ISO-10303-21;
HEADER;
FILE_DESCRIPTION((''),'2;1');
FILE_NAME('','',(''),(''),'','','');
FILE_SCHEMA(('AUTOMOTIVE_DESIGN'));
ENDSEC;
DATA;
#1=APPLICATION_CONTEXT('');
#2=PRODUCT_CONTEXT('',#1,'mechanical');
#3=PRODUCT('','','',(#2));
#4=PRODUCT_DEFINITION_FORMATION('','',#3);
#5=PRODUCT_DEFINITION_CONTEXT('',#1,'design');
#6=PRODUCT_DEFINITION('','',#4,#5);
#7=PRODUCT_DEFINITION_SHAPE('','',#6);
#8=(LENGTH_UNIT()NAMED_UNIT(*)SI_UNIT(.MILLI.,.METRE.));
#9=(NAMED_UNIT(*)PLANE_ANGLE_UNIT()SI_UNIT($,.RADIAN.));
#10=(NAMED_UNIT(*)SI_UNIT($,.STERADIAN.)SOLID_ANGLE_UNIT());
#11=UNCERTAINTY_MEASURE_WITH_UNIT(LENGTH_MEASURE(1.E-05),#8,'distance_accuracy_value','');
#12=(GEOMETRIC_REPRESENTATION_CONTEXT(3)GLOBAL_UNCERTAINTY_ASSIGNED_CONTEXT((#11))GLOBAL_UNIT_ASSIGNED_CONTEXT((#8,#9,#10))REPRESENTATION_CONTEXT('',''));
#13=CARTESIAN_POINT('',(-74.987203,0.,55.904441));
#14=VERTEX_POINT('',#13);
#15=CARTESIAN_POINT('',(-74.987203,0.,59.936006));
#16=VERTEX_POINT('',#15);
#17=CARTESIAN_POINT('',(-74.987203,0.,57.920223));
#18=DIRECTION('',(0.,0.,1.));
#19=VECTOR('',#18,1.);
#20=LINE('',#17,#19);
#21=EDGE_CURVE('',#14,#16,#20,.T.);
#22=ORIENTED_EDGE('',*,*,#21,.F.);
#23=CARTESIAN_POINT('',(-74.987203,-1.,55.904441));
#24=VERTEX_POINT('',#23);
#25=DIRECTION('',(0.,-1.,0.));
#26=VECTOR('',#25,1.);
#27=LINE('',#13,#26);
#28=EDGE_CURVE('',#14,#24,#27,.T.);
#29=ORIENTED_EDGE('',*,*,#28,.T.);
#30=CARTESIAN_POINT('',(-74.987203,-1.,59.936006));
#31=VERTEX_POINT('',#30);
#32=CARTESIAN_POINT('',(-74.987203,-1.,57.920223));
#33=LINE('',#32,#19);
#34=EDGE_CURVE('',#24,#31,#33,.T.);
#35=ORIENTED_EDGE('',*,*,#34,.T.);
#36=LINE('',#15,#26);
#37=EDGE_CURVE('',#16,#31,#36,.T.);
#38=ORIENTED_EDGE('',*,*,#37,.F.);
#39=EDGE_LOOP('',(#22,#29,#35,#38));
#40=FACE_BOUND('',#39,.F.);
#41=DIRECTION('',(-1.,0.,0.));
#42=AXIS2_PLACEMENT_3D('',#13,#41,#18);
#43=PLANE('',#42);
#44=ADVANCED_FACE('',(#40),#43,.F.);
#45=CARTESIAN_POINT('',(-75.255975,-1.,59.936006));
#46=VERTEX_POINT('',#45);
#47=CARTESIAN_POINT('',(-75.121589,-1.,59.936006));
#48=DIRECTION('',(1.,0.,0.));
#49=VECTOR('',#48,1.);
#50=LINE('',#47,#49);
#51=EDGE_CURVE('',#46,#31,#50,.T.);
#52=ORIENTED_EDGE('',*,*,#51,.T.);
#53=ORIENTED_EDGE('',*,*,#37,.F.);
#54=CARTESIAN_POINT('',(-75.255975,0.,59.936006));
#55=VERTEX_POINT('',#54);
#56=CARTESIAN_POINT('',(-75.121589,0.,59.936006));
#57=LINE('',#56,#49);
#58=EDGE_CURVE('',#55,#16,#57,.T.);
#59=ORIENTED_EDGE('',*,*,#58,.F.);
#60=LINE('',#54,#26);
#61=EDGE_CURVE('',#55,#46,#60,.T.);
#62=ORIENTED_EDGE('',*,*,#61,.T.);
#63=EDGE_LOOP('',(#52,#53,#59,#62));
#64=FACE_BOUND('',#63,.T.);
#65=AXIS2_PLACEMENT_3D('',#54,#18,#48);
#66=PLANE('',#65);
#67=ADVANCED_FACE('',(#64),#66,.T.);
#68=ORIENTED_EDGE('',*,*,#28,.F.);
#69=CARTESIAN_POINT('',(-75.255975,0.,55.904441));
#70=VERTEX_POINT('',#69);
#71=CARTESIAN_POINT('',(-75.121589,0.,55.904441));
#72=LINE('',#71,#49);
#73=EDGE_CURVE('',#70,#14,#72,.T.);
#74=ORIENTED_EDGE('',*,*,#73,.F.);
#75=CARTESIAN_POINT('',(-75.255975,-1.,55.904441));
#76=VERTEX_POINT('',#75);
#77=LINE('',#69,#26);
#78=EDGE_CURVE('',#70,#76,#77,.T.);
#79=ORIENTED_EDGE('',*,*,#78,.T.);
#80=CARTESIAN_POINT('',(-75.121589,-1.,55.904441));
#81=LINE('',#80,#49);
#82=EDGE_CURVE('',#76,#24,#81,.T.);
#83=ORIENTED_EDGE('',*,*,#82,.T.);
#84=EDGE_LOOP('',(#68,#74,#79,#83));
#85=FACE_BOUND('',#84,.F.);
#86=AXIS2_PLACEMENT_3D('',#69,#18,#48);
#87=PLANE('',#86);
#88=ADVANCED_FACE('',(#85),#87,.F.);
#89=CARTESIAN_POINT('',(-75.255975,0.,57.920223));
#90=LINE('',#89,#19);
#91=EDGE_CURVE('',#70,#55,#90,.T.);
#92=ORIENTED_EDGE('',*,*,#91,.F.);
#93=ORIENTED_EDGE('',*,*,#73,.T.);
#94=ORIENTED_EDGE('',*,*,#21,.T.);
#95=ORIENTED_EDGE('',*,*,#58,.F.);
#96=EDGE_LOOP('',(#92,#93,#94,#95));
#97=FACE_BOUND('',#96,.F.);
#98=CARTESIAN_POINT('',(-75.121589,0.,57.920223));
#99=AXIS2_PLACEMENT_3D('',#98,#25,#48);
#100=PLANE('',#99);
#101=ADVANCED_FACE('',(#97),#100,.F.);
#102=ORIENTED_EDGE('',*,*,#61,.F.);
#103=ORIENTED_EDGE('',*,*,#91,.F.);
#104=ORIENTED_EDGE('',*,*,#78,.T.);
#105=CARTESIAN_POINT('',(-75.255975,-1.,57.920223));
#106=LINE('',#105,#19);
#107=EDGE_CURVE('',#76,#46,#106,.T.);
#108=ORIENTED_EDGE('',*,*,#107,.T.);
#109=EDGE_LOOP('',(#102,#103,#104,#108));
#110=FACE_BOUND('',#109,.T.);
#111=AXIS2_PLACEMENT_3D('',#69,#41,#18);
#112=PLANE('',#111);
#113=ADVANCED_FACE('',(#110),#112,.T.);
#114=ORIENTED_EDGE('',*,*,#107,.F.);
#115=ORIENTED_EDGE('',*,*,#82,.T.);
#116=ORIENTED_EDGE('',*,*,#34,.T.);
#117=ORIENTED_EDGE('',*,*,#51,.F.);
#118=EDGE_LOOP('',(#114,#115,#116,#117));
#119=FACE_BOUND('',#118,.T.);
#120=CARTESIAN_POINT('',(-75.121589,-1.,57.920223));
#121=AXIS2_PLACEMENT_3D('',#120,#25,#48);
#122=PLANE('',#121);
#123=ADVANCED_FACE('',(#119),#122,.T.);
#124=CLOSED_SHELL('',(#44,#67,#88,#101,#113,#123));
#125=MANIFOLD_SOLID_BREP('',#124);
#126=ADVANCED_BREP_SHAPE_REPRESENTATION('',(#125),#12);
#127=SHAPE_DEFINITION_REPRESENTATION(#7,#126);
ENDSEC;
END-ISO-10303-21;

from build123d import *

# Parameters (mm, degrees)
F0_W     = 0.2687722445
F0_H     = 4.0315650403
F1_DEPTH = 1
F0_W_2   = 74.9872028828
F0_H_2   = 55.9044405818
F2_DEPTH = 74.5


with BuildPart() as f1:
    # F0 (on Front) → F1 (new body)
    with BuildSketch(Plane.XZ):
        with Locations((-75.121589005, 57.920223102)):
            Rectangle(F0_W, F0_H)
    extrude(amount=F1_DEPTH)


with BuildPart() as f1b:
    # F0 (on Front) → F1, piece 2 (new body)
    with BuildSketch(Plane.XZ):
        with Locations((-37.4936014414, 27.9522202909)):
            Rectangle(F0_W_2, F0_H_2)
    extrude(amount=F1_DEPTH)

    # F2 (cut): a face of the model
    f2_faces = [f1b.faces().sort_by_distance(p)[0] for p in [
        (-37.4936014414, 0, 27.9522202909),
    ]]
    extrude(f2_faces, amount=-F2_DEPTH, mode=Mode.SUBTRACT)


solid = f1.part
